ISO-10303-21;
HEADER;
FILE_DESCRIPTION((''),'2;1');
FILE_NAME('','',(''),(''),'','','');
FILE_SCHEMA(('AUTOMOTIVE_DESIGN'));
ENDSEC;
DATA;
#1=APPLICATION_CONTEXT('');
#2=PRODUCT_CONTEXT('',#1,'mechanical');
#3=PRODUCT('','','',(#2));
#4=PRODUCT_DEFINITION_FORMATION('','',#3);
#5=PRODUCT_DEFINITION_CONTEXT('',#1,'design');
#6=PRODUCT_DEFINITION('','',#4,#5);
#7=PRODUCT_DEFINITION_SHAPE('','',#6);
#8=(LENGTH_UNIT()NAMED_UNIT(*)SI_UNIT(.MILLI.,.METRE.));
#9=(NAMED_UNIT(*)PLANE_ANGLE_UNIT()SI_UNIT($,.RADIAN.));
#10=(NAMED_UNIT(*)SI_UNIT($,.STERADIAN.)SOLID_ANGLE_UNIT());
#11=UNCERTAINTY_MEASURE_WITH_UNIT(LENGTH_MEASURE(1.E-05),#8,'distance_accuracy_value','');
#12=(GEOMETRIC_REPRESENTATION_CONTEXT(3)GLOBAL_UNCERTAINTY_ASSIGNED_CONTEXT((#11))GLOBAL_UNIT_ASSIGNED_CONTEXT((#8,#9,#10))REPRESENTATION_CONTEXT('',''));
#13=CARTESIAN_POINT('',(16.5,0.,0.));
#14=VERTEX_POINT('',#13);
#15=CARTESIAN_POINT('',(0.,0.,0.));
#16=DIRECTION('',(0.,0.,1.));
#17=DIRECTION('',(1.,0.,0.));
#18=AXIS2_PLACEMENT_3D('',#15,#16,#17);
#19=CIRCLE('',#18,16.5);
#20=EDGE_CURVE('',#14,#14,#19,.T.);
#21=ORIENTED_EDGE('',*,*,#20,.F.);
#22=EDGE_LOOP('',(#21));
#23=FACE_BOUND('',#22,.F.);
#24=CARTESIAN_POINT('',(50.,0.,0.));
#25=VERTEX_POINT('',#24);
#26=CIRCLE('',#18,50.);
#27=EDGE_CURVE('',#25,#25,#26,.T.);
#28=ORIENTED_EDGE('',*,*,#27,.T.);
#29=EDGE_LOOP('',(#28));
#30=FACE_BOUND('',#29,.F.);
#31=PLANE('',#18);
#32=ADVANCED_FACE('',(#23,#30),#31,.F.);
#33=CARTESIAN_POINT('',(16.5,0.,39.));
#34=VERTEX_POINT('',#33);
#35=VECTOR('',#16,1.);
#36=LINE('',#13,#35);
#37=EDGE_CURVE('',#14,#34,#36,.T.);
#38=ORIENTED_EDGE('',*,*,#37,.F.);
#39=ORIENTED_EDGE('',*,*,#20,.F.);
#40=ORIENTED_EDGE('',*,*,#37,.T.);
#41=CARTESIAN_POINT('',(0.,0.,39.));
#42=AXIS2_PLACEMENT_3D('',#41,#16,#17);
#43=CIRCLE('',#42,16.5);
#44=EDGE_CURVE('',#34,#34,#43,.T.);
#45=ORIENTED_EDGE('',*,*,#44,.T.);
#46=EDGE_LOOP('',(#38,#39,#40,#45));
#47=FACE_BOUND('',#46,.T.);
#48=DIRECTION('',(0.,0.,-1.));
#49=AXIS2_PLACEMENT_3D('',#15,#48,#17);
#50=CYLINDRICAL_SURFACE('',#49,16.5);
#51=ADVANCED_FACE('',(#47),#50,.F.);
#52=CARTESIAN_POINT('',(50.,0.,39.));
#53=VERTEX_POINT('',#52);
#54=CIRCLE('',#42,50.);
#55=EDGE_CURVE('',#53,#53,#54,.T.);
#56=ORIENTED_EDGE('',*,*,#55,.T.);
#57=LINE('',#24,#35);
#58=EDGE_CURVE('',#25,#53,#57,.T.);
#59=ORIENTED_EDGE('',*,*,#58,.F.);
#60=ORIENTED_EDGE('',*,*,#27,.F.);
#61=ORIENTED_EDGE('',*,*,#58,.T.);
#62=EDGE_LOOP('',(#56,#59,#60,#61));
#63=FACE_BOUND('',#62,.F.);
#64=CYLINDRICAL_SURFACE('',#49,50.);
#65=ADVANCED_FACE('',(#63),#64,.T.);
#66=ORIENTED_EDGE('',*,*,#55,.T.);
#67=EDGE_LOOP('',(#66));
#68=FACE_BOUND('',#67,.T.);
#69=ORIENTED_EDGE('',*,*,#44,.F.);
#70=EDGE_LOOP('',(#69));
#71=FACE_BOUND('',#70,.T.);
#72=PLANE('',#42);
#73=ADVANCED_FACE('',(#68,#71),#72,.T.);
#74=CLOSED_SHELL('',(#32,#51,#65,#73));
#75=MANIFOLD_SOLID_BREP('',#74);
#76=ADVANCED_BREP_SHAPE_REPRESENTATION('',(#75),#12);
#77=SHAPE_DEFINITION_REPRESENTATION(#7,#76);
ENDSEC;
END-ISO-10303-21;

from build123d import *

# Parameters (mm, degrees)
CYLINDER001_R     = 16.5
CYLINDER001_DEPTH = 39
CYLINDER_R        = 50
CYLINDER_DEPTH    = 39


with BuildPart() as zylinder001:
    # Cylinder001 → Cylinder001 (new body)
    with BuildSketch(Plane.XY):
        Circle(CYLINDER001_R)
    extrude(amount=CYLINDER001_DEPTH)


with BuildPart() as largecoil:
    # Cylinder → Cylinder (new body)
    with BuildSketch(Plane.XY):
        Circle(CYLINDER_R)
    extrude(amount=CYLINDER_DEPTH)

    # Cut: cut Zylinder001
    add(zylinder001.part, mode=Mode.SUBTRACT)


solid = largecoil.part
